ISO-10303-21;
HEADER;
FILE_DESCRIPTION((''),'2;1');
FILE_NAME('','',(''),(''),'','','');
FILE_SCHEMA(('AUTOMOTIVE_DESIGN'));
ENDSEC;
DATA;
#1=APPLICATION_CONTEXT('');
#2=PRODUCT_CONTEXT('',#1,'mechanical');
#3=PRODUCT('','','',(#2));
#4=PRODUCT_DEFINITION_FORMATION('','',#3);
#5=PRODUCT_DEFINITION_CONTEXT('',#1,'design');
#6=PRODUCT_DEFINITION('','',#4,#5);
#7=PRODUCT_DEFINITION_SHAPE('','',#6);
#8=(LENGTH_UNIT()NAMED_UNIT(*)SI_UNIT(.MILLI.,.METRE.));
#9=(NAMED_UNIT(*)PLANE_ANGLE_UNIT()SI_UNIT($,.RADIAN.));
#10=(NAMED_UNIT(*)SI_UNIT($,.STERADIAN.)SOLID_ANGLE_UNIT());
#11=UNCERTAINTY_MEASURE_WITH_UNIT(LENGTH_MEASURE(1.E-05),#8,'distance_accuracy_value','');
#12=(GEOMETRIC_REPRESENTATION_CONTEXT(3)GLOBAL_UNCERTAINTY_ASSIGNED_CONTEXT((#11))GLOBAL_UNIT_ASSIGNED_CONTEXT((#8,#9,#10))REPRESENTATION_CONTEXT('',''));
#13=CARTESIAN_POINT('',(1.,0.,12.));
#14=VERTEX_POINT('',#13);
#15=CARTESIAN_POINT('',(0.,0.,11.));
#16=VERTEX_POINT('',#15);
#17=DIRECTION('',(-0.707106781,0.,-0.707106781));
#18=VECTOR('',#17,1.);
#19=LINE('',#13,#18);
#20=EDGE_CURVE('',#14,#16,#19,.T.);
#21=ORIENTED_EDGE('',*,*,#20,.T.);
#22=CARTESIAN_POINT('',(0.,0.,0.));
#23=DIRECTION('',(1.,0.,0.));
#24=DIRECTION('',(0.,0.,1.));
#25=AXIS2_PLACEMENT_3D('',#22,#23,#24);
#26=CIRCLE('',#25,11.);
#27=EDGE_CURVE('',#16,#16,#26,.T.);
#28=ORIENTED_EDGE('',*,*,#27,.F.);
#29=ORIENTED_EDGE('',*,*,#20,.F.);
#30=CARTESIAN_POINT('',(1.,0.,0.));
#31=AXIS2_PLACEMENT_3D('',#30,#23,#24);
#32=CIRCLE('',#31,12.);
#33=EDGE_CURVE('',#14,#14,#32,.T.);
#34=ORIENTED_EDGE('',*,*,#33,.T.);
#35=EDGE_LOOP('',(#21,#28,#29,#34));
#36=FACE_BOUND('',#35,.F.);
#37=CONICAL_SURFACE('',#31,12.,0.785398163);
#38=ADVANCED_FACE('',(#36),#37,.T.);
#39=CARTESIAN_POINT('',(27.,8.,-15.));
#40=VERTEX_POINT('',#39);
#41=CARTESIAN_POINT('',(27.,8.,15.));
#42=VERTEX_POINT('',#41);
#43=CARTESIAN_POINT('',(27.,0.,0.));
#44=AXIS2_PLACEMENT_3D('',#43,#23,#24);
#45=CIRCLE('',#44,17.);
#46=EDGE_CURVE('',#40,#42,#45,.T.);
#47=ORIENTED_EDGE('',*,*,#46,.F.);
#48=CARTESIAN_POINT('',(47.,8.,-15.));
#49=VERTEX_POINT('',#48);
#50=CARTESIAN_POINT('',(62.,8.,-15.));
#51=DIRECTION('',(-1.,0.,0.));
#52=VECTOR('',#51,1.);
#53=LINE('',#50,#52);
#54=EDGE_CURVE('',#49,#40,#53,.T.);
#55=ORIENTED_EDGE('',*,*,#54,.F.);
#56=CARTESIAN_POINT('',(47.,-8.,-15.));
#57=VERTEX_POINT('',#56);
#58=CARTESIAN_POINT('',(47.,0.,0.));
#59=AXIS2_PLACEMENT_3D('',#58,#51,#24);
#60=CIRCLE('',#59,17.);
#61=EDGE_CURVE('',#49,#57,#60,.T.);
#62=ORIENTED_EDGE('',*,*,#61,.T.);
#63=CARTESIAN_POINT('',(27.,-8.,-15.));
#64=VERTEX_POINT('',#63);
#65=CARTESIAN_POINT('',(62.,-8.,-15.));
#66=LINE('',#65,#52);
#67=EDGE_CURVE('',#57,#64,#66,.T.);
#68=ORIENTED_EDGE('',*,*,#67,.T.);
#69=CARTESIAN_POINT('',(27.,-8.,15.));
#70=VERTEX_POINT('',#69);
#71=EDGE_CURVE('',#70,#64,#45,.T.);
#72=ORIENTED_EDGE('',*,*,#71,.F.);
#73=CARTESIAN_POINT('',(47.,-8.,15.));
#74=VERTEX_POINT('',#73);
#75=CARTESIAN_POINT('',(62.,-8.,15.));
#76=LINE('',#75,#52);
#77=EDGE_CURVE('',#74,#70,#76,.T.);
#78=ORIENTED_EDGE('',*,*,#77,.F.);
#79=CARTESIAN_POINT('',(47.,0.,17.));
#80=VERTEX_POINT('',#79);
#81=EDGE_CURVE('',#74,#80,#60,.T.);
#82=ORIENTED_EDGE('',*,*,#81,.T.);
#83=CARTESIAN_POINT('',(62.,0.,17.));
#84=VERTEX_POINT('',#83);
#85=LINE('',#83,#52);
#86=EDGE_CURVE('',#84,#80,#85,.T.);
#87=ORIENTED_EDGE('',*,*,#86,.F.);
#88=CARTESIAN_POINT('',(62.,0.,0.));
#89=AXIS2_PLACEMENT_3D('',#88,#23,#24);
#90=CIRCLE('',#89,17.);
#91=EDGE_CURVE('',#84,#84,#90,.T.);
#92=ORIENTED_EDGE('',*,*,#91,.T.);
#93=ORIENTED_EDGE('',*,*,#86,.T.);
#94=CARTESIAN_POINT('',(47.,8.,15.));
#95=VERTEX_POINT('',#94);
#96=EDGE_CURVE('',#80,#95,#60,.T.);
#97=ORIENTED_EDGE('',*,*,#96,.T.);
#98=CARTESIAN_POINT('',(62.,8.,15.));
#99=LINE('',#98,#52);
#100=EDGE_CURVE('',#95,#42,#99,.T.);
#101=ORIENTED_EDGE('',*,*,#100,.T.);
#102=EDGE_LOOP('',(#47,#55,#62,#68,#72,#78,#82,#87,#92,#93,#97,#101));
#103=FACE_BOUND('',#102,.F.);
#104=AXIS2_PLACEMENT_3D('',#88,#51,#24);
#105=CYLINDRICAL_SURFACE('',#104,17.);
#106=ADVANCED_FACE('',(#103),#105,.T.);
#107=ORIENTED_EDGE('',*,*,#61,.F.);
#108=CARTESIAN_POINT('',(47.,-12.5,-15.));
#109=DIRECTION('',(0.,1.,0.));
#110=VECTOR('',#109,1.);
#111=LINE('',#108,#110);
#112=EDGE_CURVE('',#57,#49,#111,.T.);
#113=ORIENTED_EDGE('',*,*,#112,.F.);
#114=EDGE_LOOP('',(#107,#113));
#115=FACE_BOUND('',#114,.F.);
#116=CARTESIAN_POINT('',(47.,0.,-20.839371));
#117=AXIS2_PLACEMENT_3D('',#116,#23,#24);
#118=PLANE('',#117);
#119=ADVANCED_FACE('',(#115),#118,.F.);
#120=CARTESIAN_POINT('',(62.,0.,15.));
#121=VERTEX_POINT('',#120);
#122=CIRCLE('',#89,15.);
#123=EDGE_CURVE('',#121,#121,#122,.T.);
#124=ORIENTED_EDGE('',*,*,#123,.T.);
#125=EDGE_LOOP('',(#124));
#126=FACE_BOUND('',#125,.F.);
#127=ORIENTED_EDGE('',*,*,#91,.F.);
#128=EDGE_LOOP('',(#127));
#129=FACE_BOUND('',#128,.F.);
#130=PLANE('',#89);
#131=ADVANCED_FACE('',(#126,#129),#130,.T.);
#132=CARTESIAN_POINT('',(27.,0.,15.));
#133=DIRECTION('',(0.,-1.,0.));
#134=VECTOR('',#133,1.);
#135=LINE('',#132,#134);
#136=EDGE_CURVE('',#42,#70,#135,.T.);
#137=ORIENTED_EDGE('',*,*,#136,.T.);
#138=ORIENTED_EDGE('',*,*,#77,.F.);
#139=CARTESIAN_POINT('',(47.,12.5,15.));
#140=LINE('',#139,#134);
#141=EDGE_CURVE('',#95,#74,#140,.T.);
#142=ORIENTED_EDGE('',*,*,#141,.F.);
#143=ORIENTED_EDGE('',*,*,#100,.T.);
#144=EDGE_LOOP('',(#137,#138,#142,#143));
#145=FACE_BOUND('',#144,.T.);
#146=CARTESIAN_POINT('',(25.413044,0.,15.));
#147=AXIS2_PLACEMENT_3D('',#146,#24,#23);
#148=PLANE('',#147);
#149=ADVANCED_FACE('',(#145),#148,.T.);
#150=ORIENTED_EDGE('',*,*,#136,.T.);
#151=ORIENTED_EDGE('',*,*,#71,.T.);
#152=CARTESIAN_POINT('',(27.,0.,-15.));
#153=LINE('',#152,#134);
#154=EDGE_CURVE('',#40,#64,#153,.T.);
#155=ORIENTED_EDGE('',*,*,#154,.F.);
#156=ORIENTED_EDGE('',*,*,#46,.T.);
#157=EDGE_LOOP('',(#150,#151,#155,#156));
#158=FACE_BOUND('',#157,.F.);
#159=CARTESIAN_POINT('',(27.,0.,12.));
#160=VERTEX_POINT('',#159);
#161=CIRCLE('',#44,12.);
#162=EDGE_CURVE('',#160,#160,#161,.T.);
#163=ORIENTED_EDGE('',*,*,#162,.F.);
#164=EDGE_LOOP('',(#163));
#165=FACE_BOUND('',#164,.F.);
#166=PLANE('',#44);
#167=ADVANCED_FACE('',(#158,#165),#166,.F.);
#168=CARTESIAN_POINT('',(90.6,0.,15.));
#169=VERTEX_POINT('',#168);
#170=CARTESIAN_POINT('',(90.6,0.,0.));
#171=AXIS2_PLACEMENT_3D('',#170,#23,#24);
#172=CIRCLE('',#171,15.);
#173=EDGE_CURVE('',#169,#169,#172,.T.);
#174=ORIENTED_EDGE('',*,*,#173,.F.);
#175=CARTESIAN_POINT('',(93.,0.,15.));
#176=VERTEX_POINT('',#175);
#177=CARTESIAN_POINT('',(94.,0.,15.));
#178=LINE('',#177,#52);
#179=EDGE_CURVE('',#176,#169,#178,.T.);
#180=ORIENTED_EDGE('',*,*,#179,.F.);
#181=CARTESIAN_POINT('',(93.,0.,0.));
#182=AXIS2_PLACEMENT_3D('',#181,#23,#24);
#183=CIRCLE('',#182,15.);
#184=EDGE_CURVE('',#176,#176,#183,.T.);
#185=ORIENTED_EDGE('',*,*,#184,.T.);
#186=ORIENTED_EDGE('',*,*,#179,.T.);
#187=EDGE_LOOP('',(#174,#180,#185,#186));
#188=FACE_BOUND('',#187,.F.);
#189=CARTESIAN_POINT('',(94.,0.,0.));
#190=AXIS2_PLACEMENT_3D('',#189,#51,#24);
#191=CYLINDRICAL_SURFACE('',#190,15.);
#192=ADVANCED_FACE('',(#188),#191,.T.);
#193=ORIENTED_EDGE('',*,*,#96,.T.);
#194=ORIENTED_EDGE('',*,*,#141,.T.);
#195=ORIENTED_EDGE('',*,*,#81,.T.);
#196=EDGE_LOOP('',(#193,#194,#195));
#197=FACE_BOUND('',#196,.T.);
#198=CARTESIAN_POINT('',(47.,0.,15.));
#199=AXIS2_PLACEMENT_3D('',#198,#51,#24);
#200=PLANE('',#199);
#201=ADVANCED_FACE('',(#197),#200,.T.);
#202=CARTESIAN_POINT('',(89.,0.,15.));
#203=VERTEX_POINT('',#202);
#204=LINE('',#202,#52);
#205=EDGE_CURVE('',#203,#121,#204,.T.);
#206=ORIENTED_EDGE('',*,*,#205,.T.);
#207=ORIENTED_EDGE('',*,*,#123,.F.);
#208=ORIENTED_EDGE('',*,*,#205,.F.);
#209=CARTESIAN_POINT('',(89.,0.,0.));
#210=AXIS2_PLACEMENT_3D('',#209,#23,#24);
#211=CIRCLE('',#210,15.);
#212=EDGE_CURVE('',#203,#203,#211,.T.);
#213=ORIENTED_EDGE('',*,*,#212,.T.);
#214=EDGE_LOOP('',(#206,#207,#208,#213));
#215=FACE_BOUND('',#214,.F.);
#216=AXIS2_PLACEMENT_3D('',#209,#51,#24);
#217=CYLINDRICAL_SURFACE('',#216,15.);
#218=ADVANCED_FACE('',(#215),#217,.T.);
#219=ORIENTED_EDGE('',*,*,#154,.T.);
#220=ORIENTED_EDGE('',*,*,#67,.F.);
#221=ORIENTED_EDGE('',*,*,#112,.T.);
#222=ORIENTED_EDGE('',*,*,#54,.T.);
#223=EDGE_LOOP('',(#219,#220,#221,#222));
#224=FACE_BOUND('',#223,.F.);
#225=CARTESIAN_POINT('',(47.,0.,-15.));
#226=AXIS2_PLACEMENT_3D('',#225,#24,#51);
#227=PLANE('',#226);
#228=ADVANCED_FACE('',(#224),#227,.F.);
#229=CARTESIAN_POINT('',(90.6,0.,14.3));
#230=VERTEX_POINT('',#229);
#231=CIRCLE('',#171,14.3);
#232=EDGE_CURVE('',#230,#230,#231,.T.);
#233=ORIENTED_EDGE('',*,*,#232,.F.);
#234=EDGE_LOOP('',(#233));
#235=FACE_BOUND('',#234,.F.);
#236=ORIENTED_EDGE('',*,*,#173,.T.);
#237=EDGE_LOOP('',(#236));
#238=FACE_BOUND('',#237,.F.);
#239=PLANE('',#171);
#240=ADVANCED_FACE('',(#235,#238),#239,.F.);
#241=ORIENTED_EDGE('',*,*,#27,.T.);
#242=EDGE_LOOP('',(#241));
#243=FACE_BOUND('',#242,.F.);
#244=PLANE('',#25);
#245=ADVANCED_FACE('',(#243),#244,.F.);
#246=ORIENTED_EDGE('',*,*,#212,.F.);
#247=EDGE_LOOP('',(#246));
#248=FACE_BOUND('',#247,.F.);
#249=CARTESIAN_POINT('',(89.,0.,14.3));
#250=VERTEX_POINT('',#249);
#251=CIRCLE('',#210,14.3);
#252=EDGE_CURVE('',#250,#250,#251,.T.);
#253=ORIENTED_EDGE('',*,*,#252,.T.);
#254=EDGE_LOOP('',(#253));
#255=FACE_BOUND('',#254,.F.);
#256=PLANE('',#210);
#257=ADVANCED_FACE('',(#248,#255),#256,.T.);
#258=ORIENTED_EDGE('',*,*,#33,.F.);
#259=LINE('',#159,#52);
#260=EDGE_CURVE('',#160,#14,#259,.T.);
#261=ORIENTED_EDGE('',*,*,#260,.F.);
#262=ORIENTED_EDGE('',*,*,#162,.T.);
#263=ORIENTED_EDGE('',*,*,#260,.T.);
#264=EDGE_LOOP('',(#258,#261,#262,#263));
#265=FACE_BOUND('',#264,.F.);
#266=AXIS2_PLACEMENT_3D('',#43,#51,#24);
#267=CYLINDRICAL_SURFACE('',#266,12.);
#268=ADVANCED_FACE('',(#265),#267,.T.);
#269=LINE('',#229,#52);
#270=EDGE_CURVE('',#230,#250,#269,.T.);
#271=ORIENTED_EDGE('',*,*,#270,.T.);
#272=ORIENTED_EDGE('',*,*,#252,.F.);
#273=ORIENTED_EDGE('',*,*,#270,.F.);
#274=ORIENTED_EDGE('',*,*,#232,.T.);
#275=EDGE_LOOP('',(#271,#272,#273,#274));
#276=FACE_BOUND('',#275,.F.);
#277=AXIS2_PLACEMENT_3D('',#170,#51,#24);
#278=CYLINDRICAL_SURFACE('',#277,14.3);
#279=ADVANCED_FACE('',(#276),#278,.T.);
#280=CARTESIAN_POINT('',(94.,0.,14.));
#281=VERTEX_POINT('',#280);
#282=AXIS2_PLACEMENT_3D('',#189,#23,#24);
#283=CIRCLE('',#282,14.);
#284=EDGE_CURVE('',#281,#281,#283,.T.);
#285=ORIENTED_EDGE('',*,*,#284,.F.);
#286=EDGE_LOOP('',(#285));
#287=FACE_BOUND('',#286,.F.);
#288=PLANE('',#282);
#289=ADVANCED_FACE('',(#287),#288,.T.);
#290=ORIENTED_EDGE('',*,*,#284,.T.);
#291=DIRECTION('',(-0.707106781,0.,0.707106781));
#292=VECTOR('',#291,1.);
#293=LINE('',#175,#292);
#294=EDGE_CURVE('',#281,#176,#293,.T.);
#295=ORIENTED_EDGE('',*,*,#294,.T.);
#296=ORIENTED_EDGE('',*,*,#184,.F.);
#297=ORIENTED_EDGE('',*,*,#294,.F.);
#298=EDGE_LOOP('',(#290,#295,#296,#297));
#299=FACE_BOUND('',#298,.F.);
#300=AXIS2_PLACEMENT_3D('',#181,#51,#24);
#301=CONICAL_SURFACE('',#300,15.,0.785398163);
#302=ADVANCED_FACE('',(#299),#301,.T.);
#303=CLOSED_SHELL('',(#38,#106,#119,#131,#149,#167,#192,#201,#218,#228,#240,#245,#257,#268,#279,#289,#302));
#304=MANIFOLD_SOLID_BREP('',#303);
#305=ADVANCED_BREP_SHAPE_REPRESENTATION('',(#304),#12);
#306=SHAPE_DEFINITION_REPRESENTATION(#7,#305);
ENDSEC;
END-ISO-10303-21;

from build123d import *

# Parameters (mm, degrees)
F2_SIZE  = 1
F3_SIZE  = 1
F5_DEPTH = 12.5


with BuildPart() as f1:
    # F0 (on Front) → F1 (revolve)
    with BuildSketch(Plane.XZ):
        Polygon((0, 12), (0, 0), (94, 0), (94, 15), (90.6, 15), (90.6, 14.3), (89, 14.3), (89, 15), (62, 15), (62, 17), (27, 17), (27, 12), align=None)
    revolve(axis=Axis((47, 0, 0), (1, 0, 0)))

    # F2
    f2_edges = [f1.edges().sort_by_distance(p)[0] for p in [
        (94, 0, -15),
    ]]
    chamfer(f2_edges, length=F2_SIZE)

    # F3
    f3_edges = [f1.edges().sort_by_distance(p)[0] for p in [
        (0, 0, -12),
    ]]
    chamfer(f3_edges, length=F3_SIZE)

    # F4 (on Front) → F5 (cut, symmetric)
    with BuildSketch(Plane.XZ):
        Polygon((25.7335081697, 20.8393707871), (25.413043797, 15), (27, 15), (47, 15), (47, 20.8393707871), align=None)
        Polygon((47, -15), (27, -15), (25.413043797, -15), (25.7335081697, -20.8393707871), (47, -20.8393707871), (47, -17), align=None)
    extrude(amount=F5_DEPTH, both=True, mode=Mode.SUBTRACT)


solid = f1.part
